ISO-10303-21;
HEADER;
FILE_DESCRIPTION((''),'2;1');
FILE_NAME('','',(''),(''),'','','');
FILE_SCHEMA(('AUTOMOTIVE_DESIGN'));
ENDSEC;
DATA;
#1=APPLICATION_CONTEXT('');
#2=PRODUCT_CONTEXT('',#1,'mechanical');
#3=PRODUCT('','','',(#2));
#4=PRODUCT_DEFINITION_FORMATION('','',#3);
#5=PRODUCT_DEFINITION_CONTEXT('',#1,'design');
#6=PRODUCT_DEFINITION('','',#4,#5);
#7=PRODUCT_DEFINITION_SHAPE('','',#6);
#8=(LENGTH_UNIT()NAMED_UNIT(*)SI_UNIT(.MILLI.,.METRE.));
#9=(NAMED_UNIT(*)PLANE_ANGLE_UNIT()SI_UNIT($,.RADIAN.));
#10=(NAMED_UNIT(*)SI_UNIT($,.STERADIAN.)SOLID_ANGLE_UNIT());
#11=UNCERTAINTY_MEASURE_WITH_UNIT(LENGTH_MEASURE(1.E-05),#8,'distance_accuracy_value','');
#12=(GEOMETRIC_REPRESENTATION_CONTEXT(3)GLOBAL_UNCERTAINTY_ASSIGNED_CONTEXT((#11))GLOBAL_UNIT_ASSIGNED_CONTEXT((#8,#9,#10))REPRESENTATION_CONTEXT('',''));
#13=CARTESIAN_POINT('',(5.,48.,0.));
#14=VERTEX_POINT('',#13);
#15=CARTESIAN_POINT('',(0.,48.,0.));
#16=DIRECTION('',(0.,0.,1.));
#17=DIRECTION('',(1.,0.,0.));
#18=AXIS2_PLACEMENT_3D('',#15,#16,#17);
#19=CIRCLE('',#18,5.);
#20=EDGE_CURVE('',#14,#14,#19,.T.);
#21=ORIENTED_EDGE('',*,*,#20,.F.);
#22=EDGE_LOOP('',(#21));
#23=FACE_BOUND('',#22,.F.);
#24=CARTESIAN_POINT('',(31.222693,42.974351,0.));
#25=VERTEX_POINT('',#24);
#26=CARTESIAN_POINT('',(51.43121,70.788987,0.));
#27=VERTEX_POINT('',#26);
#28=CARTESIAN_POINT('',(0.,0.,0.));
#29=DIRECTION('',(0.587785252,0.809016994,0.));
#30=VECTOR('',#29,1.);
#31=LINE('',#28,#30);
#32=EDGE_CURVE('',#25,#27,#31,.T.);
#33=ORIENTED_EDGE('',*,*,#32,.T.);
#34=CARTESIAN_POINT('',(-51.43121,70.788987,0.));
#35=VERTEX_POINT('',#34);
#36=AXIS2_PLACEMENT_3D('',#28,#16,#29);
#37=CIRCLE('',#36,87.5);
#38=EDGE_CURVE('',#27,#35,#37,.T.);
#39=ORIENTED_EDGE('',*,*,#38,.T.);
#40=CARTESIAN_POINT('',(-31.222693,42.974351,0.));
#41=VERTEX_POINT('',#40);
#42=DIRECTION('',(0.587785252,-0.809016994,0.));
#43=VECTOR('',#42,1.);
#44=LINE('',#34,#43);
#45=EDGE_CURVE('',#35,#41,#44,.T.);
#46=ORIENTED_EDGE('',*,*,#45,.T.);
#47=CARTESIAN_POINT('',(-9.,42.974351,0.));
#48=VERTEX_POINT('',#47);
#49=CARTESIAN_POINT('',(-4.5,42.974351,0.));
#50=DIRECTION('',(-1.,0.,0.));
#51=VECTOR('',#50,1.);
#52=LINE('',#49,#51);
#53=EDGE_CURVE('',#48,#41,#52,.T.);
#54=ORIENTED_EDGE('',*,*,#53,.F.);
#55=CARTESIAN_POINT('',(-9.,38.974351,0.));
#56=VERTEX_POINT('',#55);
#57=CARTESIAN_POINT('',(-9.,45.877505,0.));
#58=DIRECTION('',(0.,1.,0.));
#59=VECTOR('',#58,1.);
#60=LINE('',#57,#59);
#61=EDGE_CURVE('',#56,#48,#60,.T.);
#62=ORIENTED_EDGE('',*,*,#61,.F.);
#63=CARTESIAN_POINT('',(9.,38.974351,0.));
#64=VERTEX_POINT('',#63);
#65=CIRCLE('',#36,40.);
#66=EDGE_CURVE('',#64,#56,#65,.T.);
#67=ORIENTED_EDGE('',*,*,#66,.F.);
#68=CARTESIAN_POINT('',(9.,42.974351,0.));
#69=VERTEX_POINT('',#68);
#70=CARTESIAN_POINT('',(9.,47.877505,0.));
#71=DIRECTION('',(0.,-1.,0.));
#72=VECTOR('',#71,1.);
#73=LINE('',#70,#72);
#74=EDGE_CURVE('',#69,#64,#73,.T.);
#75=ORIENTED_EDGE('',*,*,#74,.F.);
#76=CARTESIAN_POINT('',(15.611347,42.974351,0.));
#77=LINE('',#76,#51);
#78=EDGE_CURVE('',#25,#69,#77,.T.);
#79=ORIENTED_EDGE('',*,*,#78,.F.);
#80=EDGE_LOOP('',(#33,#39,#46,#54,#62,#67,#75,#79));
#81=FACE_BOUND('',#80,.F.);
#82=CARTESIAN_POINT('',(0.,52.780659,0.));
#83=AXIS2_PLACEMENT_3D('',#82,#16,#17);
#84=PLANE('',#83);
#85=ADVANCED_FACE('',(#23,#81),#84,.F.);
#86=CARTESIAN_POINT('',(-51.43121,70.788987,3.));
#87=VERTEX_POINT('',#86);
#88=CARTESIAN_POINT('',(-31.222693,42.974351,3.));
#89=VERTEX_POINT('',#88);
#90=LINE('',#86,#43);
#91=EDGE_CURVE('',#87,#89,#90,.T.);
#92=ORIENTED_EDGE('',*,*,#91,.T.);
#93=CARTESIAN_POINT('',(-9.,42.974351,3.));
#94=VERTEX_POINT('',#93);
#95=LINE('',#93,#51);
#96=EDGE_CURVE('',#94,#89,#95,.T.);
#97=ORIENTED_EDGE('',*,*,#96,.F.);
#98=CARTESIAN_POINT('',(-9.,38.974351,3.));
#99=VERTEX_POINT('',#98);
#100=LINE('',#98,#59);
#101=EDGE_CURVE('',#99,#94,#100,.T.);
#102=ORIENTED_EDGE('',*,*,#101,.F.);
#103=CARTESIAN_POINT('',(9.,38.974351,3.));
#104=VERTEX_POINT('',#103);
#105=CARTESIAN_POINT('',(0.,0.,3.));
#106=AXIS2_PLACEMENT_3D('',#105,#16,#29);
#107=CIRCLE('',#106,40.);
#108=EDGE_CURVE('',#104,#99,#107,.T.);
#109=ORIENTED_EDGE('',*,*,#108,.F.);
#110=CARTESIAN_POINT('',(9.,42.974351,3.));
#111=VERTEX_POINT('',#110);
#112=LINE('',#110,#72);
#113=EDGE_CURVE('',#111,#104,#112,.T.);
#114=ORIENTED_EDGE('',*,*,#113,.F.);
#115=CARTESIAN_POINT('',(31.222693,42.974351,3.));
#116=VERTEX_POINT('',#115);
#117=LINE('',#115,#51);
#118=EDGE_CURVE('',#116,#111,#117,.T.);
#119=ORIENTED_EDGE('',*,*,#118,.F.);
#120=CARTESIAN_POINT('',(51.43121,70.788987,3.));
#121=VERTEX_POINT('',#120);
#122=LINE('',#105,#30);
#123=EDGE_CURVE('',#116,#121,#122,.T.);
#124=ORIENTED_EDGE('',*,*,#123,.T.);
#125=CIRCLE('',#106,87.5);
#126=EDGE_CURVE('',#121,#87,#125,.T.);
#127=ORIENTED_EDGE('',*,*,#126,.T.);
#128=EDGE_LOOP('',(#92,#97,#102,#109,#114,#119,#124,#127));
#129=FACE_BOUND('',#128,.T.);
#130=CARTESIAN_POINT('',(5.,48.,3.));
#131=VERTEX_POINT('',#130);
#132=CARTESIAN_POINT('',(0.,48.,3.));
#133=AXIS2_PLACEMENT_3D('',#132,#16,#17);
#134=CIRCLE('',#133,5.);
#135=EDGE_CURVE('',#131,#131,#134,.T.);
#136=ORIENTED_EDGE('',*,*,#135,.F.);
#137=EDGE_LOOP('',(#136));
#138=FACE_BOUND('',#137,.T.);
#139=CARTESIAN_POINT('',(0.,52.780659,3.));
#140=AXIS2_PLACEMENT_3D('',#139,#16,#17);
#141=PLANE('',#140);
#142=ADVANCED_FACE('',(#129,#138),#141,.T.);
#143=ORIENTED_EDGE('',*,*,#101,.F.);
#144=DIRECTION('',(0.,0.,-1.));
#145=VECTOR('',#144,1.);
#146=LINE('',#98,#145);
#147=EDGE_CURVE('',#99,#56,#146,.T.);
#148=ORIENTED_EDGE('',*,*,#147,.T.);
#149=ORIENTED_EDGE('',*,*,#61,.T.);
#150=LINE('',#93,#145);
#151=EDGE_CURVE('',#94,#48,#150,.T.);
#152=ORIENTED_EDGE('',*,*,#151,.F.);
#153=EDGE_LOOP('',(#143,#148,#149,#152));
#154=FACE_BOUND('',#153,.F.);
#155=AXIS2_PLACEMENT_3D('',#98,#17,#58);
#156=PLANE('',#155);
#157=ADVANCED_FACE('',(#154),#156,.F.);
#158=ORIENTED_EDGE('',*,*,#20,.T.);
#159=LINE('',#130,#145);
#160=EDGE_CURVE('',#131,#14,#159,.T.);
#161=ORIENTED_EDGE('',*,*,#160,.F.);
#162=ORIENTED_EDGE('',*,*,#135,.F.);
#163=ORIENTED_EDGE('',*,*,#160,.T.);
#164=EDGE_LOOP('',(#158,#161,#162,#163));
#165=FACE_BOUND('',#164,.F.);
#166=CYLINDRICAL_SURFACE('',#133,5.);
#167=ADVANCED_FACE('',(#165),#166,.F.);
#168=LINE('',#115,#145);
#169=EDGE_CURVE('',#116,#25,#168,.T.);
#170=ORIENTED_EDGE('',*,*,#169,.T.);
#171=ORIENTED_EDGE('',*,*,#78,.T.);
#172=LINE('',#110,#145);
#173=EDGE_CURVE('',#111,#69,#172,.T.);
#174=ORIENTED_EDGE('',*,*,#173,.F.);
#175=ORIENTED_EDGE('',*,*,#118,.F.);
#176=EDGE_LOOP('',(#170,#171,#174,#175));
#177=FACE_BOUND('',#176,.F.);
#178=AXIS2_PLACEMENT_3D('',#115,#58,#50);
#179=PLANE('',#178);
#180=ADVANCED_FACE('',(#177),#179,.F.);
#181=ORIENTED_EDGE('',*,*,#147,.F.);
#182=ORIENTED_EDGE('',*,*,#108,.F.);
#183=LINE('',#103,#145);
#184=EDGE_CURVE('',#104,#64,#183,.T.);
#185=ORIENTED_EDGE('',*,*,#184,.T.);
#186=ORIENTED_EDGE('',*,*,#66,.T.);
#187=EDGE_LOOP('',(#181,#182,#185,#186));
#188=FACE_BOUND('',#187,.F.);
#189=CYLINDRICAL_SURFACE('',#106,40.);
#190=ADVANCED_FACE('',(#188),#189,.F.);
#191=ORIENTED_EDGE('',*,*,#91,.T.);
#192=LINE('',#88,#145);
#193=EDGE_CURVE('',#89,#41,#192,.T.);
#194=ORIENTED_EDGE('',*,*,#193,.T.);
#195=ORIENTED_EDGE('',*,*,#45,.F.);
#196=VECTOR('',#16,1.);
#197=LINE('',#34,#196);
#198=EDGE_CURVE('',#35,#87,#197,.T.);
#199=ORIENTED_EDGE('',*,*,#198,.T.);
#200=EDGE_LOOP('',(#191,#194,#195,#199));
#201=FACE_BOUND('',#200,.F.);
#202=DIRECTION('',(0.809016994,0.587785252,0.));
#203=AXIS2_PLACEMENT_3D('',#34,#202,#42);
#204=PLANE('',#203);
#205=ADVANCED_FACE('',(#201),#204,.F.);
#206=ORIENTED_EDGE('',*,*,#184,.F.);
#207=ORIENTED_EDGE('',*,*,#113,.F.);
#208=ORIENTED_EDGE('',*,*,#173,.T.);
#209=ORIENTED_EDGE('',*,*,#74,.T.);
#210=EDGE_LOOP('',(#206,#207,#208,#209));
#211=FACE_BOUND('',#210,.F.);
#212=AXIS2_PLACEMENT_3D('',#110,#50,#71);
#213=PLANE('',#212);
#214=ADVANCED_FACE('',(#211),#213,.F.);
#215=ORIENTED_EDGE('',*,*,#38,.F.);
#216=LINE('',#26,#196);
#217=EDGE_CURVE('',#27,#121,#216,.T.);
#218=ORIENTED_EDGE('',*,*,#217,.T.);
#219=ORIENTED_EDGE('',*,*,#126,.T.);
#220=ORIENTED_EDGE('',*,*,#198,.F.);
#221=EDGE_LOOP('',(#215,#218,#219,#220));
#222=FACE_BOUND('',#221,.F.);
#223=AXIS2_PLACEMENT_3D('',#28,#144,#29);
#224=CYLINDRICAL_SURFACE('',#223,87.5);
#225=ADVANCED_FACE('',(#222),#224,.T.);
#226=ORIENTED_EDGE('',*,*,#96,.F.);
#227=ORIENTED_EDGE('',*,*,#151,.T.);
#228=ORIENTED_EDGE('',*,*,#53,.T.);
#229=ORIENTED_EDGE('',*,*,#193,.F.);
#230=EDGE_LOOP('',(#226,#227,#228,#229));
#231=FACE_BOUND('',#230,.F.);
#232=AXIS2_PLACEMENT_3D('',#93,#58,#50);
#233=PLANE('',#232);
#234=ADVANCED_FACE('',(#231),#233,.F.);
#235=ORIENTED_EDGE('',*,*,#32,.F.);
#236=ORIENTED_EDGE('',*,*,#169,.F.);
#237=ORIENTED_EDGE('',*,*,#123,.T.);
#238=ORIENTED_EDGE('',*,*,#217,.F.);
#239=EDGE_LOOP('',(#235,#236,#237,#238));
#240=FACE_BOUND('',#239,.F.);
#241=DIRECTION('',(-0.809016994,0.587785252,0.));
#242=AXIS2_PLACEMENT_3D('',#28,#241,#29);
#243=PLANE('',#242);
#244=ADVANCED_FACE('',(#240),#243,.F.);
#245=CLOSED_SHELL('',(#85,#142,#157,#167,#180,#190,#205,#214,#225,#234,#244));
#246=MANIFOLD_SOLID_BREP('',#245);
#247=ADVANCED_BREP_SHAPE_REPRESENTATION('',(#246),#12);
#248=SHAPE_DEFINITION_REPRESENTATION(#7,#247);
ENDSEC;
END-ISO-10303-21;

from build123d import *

# Parameters (mm, degrees)
F1_DEPTH = 3
F3_DEPTH = 3.001
F4_R     = 5
F5_DEPTH = 3.001
F7_DEPTH = 3.001
F9_DEPTH = 3.001


with BuildPart() as f1:
    # F0 (on Top) → F1 (new body)
    with BuildSketch(Plane.XY):
        with BuildLine():
            Line((0, 0), (51.4312095756, 70.7889870078))
            ThreePointArc((51.4312095756, 70.7889870078), (0, 87.5), (-51.4312095756, 70.7889870078))
            Line((-51.4312095756, 70.7889870078), (0, 0))
        make_face()
    extrude(amount=F1_DEPTH)

    # F2 (on face) → F3 (cut, through all)
    with BuildSketch(Plane.XY.offset(3)):
        with BuildLine():
            Line((0, 0), (23.5114100917, 32.360679775))
            ThreePointArc((23.5114100917, 32.360679775), (0, 40), (-23.5114100917, 32.360679775))
            Line((-23.5114100917, 32.360679775), (0, 0))
        make_face()
    extrude(amount=-F3_DEPTH, mode=Mode.SUBTRACT)

    # F4 (on face) → F5 (cut, through all)
    with BuildSketch(Plane.XY.offset(3)):
        with Locations((0, 48)):
            Circle(F4_R)
    extrude(amount=-F5_DEPTH, mode=Mode.SUBTRACT)

    # F6 (on face) → F7 (cut, through all)
    with BuildSketch(Plane.XY.offset(3)):
        with BuildLine():
            ThreePointArc((-23.5114100917, 32.360679775), (-16.5886439103, 36.3980341944), (-9, 38.9743505398))
            Line((-9, 38.9743505398), (-28.3165231686, 38.9743505398))
            Line((-28.3165231686, 38.9743505398), (-23.5114100917, 32.360679775))
        make_face()
        with BuildLine():
            Line((28.3165231686, 38.9743505398), (9, 38.9743505398))
            ThreePointArc((9, 38.9743505398), (16.5886439103, 36.3980341944), (23.5114100917, 32.360679775))
            Line((23.5114100917, 32.360679775), (28.3165231686, 38.9743505398))
        make_face()
    extrude(amount=-F7_DEPTH, mode=Mode.SUBTRACT)

    # F8 (on face) → F9 (cut, through all)
    with BuildSketch(Plane.XY.offset(3)):
        Polygon((-28.3165231686, 38.9743505398), (-9, 38.9743505398), (-9, 42.9743505398), (-31.2226932806, 42.9743505398), align=None)
        Polygon((9, 42.9743505398), (9, 38.9743505398), (28.3165231686, 38.9743505398), (31.2226932806, 42.9743505398), align=None)
    extrude(amount=-F9_DEPTH, mode=Mode.SUBTRACT)


solid = f1.part
